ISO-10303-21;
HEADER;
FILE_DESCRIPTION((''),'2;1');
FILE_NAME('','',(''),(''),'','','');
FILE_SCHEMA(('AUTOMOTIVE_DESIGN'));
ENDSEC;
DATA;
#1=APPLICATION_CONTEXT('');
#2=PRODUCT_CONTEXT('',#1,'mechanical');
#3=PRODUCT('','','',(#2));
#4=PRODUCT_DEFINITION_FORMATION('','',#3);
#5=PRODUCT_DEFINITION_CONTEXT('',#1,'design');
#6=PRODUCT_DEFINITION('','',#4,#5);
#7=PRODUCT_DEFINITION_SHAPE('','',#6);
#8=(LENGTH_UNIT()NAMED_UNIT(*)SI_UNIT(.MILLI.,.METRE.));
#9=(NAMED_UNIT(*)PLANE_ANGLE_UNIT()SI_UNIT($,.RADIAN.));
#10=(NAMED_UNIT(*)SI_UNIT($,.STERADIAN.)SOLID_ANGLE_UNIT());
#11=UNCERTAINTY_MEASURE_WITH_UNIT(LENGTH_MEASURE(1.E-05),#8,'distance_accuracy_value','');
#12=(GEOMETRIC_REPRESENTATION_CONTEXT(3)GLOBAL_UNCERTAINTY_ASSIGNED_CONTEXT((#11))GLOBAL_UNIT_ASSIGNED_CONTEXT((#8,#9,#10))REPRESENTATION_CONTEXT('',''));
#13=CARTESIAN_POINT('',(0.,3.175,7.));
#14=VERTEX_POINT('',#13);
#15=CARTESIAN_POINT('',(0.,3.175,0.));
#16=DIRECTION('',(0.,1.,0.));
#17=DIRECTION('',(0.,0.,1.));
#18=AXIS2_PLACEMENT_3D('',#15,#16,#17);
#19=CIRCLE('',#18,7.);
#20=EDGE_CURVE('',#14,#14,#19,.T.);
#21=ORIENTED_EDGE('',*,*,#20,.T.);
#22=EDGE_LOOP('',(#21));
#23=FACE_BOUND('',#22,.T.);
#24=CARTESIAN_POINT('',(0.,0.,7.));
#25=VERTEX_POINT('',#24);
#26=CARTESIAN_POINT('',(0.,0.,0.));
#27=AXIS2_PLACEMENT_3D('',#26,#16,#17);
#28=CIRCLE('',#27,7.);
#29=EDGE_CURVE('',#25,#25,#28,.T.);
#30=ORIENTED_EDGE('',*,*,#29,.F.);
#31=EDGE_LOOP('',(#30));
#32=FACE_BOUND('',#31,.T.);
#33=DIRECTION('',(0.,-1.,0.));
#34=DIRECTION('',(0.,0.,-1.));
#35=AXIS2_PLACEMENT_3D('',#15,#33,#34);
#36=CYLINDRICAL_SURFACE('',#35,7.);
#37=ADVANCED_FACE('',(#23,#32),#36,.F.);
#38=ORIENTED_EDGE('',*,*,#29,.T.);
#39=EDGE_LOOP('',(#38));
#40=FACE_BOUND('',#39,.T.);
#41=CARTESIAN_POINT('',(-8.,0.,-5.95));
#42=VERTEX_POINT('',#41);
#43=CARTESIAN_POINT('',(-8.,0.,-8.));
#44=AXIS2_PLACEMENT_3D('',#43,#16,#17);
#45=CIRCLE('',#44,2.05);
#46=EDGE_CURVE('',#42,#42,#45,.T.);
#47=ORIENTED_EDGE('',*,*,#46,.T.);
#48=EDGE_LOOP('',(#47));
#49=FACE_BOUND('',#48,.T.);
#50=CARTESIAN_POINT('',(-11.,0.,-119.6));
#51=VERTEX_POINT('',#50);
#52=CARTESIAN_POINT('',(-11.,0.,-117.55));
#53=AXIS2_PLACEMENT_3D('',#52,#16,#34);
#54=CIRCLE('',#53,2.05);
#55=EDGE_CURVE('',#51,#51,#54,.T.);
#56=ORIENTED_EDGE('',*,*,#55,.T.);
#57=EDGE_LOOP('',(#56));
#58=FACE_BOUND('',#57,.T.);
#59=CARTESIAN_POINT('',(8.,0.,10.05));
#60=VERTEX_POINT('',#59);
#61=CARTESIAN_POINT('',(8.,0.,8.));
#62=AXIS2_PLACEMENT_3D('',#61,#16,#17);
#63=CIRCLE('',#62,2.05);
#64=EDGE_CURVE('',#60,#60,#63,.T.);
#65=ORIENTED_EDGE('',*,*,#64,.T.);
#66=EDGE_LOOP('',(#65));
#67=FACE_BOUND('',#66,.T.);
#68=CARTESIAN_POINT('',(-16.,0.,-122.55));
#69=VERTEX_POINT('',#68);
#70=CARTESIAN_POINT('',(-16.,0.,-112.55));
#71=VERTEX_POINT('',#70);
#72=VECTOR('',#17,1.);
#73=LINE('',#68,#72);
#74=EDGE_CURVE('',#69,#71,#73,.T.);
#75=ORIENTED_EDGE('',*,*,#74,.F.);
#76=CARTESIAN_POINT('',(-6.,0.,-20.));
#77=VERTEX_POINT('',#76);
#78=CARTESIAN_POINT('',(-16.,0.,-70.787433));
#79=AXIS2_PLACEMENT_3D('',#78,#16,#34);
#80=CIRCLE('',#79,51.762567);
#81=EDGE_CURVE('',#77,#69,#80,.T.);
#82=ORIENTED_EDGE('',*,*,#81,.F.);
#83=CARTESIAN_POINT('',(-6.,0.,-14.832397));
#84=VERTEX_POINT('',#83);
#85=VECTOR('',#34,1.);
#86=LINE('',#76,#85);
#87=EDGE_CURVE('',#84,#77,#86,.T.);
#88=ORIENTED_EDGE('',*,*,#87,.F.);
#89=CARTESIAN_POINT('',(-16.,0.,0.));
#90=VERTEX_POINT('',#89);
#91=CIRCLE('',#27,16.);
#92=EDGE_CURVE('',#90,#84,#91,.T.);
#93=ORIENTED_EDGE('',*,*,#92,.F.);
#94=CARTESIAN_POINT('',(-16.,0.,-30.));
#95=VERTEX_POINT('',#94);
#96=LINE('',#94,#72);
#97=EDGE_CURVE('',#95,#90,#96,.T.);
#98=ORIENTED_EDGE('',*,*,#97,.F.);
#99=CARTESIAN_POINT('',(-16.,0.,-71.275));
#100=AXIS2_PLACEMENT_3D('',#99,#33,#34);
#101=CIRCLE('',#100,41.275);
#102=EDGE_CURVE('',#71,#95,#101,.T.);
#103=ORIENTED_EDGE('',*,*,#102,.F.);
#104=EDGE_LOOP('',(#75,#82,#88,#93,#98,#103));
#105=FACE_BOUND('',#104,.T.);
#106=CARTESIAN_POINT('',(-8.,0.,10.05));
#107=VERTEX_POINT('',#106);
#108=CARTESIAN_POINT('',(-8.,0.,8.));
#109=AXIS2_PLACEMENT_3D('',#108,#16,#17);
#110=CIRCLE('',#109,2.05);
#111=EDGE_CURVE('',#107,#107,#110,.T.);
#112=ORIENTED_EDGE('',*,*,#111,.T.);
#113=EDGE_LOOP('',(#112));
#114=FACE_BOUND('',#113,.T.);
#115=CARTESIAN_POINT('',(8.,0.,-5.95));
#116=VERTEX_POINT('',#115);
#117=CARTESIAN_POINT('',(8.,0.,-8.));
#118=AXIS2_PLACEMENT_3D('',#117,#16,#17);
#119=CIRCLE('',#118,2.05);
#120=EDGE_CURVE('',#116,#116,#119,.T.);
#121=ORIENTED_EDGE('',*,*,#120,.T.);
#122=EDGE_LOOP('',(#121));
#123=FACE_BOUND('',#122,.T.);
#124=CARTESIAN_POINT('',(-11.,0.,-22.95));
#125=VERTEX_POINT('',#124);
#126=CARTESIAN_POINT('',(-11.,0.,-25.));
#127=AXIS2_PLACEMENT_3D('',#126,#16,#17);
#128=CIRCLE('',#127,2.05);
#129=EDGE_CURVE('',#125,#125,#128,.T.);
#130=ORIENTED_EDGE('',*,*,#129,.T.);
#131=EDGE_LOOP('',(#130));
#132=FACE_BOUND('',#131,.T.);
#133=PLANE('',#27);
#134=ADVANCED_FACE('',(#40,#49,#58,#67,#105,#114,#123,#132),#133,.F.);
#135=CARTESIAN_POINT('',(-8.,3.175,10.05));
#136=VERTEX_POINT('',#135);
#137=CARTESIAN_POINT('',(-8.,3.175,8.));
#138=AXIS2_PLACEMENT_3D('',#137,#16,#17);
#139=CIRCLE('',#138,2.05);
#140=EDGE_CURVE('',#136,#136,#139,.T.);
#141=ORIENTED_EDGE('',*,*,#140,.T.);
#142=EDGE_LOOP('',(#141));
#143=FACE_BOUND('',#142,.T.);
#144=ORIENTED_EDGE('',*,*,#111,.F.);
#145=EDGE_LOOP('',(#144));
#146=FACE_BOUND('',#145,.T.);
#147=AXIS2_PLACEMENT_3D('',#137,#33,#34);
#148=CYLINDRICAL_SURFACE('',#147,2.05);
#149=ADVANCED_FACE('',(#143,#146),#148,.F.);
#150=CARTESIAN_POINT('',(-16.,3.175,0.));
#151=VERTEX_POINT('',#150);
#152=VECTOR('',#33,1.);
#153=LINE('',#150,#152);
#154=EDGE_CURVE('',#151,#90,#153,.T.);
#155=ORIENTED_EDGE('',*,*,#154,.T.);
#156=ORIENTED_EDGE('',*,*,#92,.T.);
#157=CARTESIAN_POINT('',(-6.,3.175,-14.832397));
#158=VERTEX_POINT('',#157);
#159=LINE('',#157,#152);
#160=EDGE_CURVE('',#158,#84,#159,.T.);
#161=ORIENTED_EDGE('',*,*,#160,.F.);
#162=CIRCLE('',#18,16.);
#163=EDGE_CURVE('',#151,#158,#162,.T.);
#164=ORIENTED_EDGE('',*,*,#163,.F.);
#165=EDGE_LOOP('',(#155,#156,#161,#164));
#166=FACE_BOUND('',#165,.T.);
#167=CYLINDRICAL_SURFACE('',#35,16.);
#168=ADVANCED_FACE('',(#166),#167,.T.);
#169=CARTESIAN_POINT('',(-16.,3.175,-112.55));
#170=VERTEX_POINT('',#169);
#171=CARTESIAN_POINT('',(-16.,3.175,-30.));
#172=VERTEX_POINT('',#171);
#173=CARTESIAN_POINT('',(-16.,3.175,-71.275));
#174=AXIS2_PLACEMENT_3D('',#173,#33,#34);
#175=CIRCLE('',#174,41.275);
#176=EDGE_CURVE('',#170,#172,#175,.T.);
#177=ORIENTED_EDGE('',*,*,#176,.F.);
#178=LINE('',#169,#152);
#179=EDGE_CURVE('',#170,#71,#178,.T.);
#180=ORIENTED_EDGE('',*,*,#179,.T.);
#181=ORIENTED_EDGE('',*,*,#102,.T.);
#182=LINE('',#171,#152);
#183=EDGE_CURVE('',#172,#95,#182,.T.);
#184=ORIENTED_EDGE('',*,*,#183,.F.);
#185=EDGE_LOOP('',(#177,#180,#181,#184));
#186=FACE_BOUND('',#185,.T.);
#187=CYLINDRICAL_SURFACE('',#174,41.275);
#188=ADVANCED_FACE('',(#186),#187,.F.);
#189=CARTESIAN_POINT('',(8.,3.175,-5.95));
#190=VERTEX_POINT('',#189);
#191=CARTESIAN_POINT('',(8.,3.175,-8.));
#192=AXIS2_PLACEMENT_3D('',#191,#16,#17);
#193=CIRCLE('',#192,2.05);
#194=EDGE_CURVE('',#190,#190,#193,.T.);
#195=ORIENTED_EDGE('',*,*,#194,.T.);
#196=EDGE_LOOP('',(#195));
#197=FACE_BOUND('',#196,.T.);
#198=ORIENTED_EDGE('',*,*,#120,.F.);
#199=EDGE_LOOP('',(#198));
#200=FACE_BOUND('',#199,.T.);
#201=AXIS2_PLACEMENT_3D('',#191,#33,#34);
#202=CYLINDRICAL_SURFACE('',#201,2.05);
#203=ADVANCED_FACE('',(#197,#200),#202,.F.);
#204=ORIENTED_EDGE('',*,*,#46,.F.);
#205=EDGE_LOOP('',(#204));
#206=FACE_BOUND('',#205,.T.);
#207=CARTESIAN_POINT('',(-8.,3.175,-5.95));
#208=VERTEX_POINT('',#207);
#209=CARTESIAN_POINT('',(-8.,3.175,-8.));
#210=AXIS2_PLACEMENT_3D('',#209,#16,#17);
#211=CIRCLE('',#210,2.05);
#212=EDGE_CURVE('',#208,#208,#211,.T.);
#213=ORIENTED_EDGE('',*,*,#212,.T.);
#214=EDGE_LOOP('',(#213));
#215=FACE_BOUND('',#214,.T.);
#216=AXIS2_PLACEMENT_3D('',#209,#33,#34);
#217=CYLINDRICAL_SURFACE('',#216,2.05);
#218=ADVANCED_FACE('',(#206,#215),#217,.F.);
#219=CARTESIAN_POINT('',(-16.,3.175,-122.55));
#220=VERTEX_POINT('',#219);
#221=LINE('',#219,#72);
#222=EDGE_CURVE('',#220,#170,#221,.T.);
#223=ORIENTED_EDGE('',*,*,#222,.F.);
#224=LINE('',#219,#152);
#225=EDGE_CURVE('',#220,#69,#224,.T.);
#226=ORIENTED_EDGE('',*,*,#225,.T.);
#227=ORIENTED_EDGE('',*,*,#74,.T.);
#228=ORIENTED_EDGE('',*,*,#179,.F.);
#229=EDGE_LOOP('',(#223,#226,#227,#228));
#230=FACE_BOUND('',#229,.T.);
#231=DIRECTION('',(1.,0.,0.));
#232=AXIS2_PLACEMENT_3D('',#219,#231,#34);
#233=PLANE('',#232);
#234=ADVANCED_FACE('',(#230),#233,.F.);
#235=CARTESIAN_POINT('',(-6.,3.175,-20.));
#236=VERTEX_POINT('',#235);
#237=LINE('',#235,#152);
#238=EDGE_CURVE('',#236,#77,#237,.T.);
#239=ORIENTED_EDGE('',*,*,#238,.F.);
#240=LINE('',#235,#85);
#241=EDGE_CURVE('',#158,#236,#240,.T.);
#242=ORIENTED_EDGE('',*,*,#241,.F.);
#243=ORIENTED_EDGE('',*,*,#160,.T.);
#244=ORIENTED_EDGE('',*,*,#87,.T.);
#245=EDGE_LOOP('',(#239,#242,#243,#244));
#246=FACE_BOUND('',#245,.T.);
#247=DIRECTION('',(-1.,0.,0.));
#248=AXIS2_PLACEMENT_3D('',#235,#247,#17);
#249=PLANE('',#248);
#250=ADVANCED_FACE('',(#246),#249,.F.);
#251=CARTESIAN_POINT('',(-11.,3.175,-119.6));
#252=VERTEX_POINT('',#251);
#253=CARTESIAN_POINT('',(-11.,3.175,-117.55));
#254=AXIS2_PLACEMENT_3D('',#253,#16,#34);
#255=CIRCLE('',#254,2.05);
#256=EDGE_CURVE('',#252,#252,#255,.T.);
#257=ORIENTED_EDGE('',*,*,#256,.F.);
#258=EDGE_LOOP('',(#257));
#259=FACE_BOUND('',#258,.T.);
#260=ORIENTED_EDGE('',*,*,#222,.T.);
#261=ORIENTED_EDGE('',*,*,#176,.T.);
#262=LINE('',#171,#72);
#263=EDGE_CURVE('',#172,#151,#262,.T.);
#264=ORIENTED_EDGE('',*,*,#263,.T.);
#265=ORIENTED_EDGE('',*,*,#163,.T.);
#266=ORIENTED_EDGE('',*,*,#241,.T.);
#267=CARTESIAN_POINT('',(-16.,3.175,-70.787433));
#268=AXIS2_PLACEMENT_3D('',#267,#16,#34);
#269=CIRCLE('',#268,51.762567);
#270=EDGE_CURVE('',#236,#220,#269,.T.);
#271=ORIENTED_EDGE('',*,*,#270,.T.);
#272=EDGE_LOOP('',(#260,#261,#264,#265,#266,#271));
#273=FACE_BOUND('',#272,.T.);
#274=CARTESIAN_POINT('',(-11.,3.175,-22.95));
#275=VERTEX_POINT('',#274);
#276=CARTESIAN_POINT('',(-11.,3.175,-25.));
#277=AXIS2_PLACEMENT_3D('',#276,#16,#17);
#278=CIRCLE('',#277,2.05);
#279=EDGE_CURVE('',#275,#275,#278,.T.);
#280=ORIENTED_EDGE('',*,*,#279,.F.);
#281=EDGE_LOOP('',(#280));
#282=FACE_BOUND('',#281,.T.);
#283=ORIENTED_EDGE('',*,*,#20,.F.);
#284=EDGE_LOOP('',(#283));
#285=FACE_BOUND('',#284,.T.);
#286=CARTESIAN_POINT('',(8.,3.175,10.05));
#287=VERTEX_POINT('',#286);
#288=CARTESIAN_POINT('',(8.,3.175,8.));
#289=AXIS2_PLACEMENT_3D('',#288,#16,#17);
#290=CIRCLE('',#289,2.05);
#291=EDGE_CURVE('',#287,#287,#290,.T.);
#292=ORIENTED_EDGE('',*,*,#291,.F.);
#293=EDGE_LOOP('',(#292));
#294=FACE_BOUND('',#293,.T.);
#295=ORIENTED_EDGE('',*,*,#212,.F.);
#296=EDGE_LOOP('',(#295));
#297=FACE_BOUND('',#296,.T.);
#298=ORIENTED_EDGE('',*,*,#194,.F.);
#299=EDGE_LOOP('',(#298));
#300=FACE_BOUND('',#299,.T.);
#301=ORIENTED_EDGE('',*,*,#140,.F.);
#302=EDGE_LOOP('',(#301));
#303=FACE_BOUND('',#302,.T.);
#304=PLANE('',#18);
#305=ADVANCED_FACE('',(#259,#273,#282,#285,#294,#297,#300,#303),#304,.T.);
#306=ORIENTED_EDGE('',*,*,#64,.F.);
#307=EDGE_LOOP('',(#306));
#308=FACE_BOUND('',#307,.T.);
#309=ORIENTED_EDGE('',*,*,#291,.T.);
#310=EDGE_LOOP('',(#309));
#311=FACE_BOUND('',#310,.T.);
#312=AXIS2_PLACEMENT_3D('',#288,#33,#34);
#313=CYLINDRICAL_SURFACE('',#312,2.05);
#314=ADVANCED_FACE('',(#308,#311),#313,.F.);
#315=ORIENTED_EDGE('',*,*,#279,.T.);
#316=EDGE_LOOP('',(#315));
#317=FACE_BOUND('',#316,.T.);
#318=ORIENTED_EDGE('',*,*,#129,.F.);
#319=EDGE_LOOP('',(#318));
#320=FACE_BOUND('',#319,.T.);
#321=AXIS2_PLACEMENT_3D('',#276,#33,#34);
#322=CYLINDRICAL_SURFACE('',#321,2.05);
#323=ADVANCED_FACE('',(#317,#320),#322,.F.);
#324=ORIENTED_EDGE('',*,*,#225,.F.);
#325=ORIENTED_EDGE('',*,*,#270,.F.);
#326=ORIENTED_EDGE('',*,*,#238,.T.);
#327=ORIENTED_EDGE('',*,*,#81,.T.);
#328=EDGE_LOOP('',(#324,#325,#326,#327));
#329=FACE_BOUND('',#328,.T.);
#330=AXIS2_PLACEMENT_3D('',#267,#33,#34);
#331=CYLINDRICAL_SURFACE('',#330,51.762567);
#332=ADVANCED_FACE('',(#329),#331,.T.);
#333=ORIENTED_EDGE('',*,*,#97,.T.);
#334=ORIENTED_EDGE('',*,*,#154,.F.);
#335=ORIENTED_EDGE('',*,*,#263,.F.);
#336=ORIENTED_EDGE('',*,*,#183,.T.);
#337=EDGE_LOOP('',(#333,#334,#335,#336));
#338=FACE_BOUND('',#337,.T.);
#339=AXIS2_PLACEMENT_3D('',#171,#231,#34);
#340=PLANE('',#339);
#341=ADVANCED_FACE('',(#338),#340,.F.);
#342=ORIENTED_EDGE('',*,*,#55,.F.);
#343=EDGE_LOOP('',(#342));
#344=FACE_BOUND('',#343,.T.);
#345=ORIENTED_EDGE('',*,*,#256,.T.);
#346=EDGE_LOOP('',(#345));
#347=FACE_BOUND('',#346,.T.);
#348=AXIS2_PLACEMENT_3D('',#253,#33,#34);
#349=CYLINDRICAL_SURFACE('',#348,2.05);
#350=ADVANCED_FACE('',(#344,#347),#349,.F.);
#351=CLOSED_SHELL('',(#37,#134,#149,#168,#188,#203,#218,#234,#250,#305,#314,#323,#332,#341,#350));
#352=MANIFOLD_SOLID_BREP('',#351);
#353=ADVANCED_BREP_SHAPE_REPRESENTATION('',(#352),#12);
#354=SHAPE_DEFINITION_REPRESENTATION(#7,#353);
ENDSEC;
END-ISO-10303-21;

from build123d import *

# Parameters (mm, degrees)
SKETCH1_R           = 2.05
SKETCH1_R_2         = 7
BOSS_EXTRUDE1_DEPTH = 3.175


with BuildPart() as part:
    # Sketch1 → Boss-Extrude1 (new body)
    with BuildSketch(Plane(origin=(0, 0, 0), x_dir=(1, 0, 0), z_dir=(0, 1, 0))):
        with BuildLine():
            Line((-16, 122.55), (-16, 112.55))
            ThreePointArc((-16, 112.55), (25.275, 71.275), (-16, 30))
            Line((-16, 30), (-16, 0))
            ThreePointArc((-16, 0), (0, -16), (16, 0))
            ThreePointArc((16, 0), (8.94427191, 13.266499161), (-6, 14.832396974))
            Line((-6, 14.832396974), (-6, 20))
            ThreePointArc((-6, 20), (35.518206733, 75.811148877), (-16, 122.55))
        make_face()
        with Locations(Location((-8, 8, 0), (0, 0, 270))):
            Circle(SKETCH1_R, mode=Mode.SUBTRACT)
        with Locations(Location((8, 8, 0), (0, 0, 270))):
            Circle(SKETCH1_R, mode=Mode.SUBTRACT)
        with Locations(Location((8, -8, 0), (0, 0, 270))):
            Circle(SKETCH1_R, mode=Mode.SUBTRACT)
        with Locations(Location((-8, -8, 0), (0, 0, 270))):
            Circle(SKETCH1_R, mode=Mode.SUBTRACT)
        with Locations(Location((-11, 25, 0), (0, 0, 270))):
            Circle(SKETCH1_R, mode=Mode.SUBTRACT)
        with Locations(Location((-11, 117.55, 0), (0, 0, 90))):
            Circle(SKETCH1_R, mode=Mode.SUBTRACT)
        with Locations(Location((0, 0, 0), (0, 0, 270))):
            Circle(SKETCH1_R_2, mode=Mode.SUBTRACT)
    extrude(amount=BOSS_EXTRUDE1_DEPTH)


solid = part.part
